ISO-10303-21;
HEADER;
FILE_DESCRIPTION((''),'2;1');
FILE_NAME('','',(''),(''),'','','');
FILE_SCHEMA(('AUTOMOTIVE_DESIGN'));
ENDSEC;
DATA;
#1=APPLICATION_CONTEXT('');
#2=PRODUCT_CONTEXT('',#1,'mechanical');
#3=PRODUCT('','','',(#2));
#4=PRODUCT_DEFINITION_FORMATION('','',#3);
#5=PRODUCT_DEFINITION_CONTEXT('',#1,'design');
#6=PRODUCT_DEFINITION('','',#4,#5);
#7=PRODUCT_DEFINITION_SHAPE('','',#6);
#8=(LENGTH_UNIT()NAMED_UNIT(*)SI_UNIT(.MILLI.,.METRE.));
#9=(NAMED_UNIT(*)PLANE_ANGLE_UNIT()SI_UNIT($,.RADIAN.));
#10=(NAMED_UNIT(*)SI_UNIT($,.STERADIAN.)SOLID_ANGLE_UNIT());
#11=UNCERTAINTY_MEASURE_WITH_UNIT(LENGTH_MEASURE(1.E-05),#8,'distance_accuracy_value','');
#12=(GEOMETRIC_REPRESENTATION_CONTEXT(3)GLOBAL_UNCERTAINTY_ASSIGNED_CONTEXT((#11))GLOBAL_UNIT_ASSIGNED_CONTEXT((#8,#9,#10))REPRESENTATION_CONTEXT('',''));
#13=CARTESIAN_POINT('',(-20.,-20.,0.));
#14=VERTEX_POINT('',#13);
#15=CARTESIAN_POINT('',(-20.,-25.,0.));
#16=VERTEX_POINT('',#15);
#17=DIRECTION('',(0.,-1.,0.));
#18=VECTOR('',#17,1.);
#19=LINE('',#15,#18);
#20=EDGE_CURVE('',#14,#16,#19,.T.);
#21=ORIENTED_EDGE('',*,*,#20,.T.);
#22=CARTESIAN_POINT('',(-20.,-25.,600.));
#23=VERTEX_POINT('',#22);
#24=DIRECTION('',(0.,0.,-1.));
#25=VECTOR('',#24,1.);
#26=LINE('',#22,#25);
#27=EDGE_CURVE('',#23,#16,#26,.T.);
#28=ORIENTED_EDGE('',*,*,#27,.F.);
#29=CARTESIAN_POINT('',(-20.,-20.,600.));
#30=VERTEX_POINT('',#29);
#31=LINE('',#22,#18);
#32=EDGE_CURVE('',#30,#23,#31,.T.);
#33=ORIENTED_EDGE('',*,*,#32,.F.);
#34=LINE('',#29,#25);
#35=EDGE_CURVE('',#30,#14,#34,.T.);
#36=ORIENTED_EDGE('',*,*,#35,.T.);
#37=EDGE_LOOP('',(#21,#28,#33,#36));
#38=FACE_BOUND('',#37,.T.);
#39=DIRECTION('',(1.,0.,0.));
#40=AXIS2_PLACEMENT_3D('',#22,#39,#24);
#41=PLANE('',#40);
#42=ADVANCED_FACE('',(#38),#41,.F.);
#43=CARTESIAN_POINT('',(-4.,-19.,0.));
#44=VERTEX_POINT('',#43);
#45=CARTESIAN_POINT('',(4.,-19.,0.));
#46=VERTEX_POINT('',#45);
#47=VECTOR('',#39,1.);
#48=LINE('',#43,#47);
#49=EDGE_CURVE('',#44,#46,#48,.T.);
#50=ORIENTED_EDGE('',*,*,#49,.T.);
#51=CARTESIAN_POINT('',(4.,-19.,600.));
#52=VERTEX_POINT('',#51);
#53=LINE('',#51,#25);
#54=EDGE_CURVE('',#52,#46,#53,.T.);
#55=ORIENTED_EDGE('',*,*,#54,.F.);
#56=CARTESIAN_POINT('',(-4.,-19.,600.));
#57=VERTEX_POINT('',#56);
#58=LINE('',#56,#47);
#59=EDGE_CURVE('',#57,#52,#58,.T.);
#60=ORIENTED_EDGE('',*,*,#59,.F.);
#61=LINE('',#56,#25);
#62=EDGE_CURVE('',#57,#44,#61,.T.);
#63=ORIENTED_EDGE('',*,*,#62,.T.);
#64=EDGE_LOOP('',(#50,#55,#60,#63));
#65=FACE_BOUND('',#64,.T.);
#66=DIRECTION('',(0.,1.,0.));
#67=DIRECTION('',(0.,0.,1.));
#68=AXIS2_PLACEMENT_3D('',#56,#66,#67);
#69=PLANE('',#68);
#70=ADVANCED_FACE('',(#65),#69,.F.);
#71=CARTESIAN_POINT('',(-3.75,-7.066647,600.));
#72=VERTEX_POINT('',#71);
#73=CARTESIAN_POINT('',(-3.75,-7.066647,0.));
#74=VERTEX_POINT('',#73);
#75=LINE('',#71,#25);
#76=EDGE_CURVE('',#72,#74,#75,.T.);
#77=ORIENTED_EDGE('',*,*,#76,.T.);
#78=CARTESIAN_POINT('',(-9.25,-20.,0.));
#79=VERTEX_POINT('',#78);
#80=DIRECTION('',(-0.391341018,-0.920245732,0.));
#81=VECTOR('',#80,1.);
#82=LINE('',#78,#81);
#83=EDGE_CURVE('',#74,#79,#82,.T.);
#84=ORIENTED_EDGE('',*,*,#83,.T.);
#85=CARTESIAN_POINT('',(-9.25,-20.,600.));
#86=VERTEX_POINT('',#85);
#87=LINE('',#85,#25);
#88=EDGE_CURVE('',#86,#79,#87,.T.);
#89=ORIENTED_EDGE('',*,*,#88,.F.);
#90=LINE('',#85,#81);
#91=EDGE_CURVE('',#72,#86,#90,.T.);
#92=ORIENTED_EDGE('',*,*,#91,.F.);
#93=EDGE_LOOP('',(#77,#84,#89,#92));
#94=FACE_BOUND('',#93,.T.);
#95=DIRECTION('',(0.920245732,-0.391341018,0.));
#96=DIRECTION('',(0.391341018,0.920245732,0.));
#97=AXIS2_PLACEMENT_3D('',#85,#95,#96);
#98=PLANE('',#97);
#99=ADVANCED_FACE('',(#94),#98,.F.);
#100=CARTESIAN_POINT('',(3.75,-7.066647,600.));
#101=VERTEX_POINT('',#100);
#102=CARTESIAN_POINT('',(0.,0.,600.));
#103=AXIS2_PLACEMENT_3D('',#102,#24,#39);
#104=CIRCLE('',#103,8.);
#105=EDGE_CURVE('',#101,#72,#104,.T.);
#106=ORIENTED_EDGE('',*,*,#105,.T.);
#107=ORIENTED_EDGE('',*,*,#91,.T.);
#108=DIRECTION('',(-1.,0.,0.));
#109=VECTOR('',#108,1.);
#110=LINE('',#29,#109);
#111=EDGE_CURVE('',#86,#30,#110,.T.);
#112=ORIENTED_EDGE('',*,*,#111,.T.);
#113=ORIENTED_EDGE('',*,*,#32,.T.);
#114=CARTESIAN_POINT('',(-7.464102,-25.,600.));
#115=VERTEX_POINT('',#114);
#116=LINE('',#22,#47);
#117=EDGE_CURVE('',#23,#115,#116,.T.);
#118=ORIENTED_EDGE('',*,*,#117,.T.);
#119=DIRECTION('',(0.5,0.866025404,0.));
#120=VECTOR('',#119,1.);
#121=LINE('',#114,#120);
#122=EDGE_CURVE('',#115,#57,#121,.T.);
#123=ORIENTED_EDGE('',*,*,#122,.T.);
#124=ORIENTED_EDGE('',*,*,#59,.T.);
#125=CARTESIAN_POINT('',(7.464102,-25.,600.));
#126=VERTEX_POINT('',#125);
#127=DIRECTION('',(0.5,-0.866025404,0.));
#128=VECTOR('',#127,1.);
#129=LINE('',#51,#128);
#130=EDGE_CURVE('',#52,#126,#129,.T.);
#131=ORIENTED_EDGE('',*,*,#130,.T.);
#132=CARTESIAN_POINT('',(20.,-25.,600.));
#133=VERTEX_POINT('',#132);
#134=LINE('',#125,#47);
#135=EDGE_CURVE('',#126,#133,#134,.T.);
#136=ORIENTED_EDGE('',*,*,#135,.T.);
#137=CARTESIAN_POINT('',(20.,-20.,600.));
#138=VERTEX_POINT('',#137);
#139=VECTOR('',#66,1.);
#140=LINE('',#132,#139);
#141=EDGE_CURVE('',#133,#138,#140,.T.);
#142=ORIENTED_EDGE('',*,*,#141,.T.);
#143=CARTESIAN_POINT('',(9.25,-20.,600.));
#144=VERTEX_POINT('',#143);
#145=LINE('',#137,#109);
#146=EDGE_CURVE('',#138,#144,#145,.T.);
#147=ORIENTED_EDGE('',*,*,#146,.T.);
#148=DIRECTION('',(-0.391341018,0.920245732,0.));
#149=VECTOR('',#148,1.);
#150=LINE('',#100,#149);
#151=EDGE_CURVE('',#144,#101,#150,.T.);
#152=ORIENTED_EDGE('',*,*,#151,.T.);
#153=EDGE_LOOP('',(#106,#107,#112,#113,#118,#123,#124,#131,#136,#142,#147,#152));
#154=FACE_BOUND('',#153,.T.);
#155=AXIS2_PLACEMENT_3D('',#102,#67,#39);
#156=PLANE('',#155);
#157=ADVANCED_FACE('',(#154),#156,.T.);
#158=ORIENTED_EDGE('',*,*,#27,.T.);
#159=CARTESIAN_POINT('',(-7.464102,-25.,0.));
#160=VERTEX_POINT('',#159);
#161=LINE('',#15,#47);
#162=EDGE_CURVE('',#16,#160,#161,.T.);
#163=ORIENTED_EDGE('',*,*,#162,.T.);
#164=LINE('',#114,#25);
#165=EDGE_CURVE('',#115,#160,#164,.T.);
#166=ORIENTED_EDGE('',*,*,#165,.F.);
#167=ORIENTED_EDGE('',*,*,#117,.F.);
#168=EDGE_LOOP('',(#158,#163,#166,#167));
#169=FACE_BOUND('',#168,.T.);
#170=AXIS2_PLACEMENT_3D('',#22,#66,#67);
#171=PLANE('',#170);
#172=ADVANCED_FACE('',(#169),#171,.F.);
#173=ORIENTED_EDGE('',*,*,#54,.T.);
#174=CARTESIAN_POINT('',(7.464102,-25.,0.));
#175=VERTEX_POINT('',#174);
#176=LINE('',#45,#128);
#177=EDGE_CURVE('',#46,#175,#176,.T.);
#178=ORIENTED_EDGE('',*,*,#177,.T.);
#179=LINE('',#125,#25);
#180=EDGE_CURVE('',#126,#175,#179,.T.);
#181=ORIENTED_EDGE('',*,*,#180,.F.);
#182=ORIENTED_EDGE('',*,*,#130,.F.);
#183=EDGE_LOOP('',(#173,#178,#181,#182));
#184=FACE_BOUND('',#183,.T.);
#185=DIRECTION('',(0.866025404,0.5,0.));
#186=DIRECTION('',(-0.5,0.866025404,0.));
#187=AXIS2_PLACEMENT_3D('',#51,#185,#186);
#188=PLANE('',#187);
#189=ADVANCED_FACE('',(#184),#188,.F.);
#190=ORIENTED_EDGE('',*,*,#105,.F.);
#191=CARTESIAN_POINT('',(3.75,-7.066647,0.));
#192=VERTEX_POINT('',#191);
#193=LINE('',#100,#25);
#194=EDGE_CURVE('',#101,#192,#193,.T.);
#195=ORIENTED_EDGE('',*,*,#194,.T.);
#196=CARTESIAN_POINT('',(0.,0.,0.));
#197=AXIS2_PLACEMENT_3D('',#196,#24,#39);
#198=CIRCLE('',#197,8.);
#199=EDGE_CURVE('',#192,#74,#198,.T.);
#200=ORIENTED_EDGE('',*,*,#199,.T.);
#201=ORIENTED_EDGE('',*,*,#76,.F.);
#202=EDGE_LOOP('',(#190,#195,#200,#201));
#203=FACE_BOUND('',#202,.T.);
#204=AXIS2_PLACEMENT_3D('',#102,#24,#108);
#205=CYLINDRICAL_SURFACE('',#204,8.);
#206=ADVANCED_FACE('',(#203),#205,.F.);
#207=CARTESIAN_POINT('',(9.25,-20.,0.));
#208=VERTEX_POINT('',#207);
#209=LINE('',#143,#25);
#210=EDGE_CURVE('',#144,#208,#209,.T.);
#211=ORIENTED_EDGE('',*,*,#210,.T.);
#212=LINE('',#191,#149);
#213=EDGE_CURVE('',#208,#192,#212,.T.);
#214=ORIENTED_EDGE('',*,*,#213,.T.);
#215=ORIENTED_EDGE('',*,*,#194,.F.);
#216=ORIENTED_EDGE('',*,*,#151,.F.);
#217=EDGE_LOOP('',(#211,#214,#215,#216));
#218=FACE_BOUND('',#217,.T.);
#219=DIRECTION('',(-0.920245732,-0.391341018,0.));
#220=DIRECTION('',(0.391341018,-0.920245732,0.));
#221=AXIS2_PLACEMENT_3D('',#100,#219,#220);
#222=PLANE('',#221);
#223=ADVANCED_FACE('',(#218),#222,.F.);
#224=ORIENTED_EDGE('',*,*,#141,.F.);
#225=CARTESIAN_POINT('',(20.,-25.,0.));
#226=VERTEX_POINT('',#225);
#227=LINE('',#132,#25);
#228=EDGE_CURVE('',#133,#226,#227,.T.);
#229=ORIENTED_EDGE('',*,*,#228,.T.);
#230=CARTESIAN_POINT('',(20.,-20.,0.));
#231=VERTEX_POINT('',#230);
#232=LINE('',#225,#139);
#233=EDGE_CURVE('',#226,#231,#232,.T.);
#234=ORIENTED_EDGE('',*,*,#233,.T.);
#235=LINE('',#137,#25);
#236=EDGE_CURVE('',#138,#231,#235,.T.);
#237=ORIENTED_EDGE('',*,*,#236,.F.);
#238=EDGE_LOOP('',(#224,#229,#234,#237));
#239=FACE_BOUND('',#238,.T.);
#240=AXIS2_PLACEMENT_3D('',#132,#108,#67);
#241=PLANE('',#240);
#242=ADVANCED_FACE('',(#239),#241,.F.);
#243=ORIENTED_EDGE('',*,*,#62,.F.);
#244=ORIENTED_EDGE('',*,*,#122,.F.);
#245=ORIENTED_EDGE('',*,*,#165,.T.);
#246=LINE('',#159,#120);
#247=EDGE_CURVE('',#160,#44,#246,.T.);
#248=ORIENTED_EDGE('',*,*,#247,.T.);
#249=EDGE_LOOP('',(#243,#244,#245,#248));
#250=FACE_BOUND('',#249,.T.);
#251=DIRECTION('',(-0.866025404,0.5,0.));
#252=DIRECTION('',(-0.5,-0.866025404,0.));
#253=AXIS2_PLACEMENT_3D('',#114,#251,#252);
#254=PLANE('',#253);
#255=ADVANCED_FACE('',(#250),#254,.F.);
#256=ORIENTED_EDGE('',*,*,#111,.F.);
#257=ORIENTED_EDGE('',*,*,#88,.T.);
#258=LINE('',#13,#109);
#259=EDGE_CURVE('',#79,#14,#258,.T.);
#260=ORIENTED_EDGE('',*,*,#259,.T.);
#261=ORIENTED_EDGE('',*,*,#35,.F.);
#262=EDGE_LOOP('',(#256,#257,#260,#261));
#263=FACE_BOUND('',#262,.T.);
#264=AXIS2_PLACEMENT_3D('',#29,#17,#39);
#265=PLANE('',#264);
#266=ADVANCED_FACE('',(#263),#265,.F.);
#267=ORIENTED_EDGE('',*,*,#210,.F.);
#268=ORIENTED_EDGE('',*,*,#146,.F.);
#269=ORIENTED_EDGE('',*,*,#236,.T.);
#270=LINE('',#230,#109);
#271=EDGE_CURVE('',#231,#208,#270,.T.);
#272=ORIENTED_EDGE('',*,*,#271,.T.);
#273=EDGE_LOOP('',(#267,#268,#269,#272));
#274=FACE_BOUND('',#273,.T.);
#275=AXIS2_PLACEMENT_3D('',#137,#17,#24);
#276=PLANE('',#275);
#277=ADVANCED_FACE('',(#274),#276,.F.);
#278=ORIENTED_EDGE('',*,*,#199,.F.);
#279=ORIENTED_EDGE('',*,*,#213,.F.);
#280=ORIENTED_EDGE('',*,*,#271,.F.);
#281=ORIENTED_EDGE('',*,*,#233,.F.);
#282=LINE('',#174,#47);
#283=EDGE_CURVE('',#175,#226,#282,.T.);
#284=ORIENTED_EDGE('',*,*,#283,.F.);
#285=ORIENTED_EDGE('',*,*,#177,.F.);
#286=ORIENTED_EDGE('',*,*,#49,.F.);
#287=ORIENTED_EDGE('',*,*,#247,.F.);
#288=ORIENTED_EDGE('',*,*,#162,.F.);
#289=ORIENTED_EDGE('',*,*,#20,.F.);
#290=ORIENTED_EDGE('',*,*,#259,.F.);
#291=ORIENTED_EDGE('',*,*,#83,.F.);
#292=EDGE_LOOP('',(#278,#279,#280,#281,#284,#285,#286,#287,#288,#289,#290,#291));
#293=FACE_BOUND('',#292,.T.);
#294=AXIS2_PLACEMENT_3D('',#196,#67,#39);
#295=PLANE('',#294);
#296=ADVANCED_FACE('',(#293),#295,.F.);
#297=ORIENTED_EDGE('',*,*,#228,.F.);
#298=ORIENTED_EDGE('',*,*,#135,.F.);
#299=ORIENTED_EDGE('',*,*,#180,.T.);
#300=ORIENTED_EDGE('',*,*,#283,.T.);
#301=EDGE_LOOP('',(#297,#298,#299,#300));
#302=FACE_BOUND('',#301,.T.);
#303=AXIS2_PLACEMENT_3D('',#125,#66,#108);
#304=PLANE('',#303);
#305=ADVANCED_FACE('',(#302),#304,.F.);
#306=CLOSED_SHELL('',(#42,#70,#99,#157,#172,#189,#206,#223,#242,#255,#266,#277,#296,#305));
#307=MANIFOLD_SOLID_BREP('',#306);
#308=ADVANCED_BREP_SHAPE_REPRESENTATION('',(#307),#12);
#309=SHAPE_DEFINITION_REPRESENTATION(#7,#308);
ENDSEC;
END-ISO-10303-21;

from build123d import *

# Parameters (mm, degrees)
BOSS_EXTRUDE1_DEPTH = 600


with BuildPart() as part:
    # Sketch1 → Boss-Extrude1 (new body)
    with BuildSketch(Plane.XY):
        with BuildLine():
            Line((-20, -25), (-7.464101615, -25))
            Line((-7.464101615, -25), (-4, -19))
            Line((-4, -19), (4, -19))
            Line((4, -19), (7.464101615, -25))
            Line((7.464101615, -25), (20, -25))
            Line((20, -25), (20, -20))
            Line((20, -20), (9.25, -20))
            Line((9.25, -20), (3.75, -7.066647013))
            ThreePointArc((3.75, -7.066647013), (0, -8), (-3.75, -7.066647013))
            Line((-3.75, -7.066647013), (-9.25, -20))
            Line((-9.25, -20), (-20, -20))
            Line((-20, -20), (-20, -25))
        make_face()
    extrude(amount=BOSS_EXTRUDE1_DEPTH)


solid = part.part
